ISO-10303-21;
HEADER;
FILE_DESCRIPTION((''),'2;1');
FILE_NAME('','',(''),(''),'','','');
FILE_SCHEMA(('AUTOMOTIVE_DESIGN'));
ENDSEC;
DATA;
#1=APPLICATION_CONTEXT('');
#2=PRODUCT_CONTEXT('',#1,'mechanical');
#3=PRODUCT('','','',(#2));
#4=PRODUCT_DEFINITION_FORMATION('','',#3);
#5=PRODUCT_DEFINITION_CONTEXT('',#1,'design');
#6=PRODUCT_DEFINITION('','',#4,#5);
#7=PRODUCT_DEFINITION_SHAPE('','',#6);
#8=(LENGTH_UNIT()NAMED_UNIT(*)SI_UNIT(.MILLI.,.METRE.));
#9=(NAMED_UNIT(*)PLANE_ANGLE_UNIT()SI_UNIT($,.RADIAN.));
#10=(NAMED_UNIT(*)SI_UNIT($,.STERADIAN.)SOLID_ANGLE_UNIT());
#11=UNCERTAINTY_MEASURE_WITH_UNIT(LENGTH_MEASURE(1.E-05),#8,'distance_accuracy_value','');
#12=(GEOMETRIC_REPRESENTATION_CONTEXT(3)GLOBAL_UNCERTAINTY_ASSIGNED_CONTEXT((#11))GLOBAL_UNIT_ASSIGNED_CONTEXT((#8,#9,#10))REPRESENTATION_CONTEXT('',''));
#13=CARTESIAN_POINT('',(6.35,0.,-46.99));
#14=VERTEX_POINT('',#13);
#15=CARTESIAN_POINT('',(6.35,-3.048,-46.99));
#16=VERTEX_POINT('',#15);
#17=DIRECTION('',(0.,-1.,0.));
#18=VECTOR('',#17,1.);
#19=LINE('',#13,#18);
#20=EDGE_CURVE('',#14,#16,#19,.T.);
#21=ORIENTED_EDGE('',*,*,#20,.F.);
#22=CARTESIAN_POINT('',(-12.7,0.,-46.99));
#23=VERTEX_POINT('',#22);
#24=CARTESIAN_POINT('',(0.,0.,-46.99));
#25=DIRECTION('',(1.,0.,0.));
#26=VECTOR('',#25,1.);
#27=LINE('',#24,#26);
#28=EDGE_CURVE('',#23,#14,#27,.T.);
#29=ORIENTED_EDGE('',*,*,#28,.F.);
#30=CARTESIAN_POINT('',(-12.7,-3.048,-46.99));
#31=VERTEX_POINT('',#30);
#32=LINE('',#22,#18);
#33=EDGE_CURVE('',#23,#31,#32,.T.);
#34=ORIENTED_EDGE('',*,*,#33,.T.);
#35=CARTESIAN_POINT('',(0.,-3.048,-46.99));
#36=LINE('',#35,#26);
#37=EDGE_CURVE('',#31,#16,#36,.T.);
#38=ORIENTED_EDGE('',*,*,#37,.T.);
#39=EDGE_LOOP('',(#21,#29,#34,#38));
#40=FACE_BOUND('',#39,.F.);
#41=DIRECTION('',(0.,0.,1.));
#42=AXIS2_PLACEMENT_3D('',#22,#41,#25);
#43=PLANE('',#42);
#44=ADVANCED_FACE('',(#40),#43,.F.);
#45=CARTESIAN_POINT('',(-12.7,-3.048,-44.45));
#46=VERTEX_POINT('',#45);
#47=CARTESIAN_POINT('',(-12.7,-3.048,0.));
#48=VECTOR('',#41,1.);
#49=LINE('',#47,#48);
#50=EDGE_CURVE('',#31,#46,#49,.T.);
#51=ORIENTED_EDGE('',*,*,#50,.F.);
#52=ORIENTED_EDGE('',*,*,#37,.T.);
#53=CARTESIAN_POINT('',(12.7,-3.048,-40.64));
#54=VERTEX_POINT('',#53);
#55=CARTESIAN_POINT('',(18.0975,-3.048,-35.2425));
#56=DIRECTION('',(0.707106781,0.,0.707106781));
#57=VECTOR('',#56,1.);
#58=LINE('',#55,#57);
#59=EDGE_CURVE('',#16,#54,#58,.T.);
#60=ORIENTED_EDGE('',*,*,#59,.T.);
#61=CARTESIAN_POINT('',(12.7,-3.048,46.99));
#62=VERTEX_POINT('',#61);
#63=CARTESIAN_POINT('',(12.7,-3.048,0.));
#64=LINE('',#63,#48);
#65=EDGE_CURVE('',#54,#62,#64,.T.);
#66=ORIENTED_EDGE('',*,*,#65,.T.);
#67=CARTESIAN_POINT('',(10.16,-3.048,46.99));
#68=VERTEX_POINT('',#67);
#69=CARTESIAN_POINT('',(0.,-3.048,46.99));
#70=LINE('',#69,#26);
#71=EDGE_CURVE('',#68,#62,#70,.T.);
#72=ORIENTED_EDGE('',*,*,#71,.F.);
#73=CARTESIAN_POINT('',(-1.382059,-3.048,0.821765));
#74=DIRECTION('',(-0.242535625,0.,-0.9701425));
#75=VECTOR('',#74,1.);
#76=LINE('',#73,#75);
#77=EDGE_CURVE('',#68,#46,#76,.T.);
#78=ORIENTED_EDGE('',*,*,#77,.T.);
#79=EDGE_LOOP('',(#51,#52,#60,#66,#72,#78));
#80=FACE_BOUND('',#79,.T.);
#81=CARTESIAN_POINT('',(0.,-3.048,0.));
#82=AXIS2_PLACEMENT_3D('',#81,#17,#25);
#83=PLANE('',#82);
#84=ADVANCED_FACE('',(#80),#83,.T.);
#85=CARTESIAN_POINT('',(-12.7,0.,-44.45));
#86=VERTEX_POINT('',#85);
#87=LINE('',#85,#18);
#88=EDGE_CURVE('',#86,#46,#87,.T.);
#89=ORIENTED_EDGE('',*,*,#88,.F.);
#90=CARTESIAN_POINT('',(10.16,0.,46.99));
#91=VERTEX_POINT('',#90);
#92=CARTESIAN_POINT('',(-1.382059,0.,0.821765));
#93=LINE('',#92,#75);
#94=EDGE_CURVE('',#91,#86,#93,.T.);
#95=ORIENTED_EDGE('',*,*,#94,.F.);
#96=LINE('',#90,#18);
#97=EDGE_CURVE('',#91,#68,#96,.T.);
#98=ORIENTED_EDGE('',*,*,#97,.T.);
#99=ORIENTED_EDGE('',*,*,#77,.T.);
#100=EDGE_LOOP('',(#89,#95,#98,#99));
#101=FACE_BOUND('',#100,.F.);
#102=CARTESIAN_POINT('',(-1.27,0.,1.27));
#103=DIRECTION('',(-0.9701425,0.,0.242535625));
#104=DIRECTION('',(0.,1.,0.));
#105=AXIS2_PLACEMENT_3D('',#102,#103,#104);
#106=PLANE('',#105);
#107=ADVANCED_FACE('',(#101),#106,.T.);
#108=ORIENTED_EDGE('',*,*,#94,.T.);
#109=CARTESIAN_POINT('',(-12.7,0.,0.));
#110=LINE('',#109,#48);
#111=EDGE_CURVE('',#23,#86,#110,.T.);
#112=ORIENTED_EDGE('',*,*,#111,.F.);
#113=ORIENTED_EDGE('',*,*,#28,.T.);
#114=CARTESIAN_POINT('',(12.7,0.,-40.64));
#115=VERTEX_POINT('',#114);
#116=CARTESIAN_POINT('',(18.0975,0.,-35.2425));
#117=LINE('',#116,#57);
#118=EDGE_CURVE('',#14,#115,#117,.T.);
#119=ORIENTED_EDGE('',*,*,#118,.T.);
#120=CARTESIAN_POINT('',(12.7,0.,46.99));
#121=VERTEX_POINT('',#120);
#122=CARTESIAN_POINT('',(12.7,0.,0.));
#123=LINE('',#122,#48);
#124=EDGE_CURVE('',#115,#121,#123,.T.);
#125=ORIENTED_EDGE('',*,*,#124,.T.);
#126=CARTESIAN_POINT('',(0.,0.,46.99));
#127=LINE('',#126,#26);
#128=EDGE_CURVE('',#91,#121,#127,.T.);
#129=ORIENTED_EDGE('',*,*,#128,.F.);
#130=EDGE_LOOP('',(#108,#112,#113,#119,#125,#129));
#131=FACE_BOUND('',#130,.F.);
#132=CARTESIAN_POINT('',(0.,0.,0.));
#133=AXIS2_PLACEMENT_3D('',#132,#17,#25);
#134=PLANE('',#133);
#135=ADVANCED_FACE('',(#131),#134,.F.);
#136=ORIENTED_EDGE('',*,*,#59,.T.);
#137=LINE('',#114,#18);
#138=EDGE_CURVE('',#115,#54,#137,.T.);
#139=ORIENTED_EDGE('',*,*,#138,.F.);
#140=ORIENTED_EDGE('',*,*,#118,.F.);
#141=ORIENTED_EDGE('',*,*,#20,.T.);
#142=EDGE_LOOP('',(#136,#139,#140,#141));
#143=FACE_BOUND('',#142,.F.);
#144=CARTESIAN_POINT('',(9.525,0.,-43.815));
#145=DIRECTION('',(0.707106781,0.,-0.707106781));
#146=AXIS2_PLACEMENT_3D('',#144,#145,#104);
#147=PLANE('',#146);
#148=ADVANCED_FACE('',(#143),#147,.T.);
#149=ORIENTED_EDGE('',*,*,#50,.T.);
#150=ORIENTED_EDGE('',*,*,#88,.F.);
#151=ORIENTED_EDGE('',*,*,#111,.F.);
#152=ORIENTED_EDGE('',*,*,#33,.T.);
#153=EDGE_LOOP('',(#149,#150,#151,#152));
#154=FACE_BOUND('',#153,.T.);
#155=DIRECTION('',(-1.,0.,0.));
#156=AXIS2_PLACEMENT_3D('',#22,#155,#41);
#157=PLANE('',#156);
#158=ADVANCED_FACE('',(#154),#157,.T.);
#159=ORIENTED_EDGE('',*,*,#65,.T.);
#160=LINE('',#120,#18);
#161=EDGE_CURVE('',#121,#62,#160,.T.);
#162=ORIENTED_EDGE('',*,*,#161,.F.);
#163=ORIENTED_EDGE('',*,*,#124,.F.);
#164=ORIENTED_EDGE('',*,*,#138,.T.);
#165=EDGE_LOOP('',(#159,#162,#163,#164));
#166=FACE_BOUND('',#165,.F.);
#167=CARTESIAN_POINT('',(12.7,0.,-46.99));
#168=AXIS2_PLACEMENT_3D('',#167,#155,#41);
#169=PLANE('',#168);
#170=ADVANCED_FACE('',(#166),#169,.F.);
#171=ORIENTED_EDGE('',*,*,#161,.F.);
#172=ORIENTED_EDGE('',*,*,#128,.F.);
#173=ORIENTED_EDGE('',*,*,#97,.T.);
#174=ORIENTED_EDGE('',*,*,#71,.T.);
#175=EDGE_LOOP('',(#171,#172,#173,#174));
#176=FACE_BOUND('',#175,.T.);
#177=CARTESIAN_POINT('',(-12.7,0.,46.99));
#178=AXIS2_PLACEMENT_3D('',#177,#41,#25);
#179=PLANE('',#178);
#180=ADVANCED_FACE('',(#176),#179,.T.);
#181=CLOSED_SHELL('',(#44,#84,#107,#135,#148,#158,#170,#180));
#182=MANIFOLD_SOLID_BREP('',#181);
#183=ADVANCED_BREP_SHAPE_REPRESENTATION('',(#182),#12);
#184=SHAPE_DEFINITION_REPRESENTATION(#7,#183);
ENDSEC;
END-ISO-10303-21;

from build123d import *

# Parameters (mm, degrees)
F0_W     = 25.4
F0_H     = 93.98
F1_DEPTH = 3.048
F2_SIZE2 = 91.44
F2_SIZE  = 22.86
F3_SIZE2 = 6.35
F3_SIZE  = 6.35


with BuildPart() as f1:
    # F0 (on Front) → F1 (new body)
    with BuildSketch(Plane.XZ):
        Rectangle(F0_W, F0_H)
    extrude(amount=F1_DEPTH)

    # F2
    f2_edges = [f1.edges().sort_by_distance(p)[0] for p in [
        (-12.7, -1.524, 46.99),
    ]]
    f2_side = f1.faces().sort_by_distance((0, -1.524, 46.99))[0]
    chamfer(f2_edges, length=F2_SIZE, length2=F2_SIZE2, reference=f2_side)

    # F3
    f3_edges = [f1.edges().sort_by_distance(p)[0] for p in [
        (12.7, -1.524, -46.99),
    ]]
    chamfer(f3_edges, length=F3_SIZE, length2=F3_SIZE2)


solid = f1.part
